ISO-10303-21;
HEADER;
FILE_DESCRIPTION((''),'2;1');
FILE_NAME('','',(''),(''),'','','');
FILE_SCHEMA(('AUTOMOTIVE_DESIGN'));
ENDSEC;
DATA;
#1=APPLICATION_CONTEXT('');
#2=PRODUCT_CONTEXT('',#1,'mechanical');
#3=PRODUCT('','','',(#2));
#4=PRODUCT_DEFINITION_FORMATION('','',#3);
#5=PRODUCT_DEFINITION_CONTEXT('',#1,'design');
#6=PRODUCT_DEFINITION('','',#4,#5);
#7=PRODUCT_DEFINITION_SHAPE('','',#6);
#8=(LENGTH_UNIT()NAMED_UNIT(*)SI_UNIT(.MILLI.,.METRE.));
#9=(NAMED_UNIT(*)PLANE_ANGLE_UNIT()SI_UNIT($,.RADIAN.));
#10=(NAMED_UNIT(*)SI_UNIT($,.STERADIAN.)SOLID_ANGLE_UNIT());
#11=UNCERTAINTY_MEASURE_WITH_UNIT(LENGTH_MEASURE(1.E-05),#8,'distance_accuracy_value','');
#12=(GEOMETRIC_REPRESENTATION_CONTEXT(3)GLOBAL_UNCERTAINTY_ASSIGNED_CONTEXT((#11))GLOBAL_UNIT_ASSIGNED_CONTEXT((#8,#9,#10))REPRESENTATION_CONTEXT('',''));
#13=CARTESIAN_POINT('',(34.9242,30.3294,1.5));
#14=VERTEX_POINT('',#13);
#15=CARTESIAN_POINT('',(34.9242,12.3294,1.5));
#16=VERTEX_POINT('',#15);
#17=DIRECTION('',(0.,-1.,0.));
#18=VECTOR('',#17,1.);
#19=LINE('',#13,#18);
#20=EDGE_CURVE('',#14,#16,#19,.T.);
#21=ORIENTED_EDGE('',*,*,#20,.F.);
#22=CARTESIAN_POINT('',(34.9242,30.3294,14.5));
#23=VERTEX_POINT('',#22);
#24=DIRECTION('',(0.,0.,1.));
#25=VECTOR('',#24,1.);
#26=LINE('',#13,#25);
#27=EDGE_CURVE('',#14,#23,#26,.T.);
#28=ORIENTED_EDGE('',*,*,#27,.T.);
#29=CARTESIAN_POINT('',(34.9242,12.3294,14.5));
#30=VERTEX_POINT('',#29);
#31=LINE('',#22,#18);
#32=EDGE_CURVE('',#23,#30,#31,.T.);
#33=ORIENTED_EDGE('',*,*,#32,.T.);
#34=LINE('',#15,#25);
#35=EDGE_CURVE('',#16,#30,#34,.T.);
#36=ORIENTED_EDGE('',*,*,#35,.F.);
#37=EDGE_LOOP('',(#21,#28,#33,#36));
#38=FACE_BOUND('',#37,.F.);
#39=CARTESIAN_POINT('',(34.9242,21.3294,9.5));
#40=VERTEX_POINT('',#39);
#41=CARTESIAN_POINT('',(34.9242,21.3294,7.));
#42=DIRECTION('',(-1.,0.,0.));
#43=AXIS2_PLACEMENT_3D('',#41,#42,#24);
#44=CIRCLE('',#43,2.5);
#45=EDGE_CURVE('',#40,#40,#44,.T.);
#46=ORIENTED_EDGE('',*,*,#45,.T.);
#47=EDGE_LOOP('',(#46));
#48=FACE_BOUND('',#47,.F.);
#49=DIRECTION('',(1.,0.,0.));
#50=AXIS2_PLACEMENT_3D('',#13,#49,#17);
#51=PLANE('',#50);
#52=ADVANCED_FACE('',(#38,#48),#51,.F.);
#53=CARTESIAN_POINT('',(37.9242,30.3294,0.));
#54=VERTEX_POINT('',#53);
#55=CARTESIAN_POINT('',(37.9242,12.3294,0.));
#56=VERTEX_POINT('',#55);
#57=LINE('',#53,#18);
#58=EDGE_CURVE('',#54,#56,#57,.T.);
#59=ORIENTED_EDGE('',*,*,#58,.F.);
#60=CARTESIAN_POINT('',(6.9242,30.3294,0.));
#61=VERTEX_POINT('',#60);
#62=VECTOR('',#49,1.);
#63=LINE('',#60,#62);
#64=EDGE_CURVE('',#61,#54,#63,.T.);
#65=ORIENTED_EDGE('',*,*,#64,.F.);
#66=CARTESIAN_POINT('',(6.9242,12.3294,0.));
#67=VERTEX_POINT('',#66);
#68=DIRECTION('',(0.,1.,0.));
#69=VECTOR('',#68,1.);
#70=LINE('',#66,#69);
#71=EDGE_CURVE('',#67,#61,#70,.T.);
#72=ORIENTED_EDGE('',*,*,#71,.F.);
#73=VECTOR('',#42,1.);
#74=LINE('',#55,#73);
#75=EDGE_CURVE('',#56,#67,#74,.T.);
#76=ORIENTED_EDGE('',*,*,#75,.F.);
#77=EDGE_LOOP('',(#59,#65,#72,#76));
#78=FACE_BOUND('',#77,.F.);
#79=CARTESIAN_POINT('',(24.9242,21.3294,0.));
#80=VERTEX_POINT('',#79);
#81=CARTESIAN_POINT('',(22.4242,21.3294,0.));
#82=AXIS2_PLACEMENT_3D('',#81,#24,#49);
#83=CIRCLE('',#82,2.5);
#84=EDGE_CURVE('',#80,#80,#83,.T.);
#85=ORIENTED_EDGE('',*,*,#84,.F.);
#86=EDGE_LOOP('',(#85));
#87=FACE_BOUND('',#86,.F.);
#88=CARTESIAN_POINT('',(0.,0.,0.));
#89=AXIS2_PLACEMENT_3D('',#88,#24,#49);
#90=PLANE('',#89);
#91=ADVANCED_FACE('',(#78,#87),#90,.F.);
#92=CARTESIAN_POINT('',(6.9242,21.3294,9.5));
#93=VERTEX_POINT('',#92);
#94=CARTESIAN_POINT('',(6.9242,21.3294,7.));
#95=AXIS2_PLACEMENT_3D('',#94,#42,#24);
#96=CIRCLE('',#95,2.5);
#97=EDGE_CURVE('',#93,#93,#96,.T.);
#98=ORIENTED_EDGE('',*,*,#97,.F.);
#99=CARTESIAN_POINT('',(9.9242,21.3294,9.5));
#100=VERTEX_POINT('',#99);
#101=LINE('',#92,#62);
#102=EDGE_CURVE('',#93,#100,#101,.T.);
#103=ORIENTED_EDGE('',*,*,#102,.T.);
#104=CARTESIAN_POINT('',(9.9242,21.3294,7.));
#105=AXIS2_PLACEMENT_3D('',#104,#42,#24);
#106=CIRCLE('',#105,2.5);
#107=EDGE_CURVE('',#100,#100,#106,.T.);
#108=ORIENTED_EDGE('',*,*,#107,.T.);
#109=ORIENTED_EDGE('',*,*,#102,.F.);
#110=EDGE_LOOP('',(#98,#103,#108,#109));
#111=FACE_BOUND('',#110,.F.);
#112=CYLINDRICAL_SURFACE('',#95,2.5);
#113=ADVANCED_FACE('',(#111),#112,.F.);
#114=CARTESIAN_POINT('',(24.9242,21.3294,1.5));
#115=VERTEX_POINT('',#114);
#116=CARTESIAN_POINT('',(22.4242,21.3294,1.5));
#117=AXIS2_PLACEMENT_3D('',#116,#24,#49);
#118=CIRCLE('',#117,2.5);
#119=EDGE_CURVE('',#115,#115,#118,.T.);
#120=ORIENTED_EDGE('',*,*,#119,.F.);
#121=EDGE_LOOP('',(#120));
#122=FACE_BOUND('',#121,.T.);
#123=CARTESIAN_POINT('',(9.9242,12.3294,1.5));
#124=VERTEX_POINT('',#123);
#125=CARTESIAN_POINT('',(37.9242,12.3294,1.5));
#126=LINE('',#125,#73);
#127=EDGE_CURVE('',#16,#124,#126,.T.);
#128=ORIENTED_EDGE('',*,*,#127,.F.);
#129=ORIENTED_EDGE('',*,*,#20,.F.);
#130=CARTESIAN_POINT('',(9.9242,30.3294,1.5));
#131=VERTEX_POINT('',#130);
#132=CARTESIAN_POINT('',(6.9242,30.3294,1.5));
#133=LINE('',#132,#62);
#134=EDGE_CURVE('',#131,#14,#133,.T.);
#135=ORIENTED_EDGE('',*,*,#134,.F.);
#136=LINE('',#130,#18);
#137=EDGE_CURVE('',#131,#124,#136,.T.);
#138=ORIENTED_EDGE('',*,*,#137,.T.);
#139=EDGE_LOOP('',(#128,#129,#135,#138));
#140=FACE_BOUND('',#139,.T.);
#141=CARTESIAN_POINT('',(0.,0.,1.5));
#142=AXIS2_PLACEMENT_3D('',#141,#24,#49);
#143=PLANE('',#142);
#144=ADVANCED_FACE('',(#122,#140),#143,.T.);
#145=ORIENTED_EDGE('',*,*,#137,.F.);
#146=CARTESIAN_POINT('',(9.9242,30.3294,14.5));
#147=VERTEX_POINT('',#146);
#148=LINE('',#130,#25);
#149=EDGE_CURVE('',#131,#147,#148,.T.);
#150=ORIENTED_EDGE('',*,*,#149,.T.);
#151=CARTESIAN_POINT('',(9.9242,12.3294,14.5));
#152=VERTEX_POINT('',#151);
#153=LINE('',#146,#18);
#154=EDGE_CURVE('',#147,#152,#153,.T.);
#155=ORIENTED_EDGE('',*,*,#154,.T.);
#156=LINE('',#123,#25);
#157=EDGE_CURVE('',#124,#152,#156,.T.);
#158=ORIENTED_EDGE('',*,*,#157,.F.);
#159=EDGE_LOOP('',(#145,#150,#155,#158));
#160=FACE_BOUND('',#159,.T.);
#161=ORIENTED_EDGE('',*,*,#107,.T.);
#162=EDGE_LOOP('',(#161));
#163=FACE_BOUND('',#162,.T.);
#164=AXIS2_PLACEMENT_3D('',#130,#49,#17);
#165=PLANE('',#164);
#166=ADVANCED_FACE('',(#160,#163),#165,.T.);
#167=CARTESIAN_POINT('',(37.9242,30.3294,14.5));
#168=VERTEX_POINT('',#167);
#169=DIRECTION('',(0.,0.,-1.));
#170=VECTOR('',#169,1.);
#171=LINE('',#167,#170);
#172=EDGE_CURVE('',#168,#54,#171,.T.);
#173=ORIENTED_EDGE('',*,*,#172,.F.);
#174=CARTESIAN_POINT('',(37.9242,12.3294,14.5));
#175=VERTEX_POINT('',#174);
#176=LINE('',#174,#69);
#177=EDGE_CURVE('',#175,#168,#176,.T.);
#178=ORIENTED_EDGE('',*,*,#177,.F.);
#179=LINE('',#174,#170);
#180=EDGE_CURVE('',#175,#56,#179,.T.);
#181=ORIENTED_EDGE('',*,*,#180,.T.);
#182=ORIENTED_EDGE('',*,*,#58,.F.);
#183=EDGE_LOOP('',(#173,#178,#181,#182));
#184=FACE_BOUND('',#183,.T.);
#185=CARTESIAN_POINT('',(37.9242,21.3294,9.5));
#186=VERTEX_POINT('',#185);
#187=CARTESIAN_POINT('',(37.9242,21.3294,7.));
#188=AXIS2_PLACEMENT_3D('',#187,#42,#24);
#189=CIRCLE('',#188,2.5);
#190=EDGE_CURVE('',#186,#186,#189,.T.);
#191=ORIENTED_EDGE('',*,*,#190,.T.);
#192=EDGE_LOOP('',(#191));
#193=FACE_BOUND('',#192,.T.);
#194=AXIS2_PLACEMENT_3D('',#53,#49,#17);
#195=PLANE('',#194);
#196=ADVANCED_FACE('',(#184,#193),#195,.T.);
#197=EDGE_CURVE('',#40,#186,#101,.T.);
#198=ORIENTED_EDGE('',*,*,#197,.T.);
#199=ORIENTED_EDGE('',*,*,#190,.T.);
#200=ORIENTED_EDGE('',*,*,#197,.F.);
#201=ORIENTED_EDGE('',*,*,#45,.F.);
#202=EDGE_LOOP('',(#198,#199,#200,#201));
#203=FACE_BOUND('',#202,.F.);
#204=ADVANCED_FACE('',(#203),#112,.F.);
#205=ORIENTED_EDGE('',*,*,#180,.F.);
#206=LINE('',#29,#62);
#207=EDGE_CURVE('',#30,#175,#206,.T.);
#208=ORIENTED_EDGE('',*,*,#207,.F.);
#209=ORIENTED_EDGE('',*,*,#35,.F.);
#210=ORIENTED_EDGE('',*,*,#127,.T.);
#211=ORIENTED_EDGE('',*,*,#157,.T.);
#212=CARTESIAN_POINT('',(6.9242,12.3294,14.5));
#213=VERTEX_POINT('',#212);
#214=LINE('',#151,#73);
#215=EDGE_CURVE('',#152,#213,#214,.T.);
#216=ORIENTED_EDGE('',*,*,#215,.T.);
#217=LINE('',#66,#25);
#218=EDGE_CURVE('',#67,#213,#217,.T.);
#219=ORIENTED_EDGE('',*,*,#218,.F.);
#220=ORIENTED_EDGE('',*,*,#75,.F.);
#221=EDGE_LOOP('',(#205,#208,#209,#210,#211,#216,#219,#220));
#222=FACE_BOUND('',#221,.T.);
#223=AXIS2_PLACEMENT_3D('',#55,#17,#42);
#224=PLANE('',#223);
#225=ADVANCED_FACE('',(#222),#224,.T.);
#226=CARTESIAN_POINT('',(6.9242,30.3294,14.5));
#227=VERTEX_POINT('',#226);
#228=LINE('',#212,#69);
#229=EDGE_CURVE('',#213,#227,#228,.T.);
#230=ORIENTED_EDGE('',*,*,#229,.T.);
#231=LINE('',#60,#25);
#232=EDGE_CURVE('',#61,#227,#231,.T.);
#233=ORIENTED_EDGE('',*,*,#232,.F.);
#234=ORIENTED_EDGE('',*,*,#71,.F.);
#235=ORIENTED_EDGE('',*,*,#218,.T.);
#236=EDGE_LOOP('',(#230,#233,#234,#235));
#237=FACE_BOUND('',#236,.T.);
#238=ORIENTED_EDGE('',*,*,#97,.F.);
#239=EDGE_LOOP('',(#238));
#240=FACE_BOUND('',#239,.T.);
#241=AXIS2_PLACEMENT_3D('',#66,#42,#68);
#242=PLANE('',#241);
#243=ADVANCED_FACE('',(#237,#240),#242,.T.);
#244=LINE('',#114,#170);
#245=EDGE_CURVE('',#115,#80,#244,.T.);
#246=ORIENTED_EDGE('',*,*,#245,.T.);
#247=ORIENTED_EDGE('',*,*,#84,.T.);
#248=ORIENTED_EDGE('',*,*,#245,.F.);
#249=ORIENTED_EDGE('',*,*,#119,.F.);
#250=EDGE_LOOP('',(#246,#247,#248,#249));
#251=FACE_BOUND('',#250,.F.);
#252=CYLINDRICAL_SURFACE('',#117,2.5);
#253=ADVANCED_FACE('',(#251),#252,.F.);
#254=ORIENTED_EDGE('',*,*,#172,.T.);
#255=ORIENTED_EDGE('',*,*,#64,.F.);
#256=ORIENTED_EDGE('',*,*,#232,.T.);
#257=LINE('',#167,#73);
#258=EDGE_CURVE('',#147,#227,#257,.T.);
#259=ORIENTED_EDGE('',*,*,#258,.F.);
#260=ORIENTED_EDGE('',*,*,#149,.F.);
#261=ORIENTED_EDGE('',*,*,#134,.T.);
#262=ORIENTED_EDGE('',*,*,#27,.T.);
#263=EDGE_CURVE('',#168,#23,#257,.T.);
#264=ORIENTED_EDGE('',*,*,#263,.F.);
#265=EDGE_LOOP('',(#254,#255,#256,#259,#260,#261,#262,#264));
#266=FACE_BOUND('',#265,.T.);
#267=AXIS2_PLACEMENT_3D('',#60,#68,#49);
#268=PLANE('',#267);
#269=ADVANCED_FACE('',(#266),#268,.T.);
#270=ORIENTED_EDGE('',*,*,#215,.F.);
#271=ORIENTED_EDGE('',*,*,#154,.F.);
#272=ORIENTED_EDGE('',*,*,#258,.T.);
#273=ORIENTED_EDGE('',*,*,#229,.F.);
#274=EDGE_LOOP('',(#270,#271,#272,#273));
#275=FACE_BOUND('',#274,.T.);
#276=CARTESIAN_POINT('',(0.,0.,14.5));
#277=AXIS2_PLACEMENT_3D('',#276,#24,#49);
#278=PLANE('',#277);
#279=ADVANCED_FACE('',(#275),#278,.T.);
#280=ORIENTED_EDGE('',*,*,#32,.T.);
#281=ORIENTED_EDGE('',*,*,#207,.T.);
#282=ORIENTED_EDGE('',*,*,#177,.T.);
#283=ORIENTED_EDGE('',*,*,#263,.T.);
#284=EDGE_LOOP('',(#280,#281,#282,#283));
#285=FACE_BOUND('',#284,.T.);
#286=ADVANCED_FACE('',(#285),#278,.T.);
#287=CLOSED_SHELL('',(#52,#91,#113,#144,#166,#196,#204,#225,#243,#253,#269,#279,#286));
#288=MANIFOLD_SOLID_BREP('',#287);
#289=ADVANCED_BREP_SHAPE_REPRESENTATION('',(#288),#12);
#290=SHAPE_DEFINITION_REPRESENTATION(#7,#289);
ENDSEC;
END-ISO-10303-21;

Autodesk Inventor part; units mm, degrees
ref_plane "YZ Plane" through (0, 0, 0) normal (1, 0, 0) x (0, 1, 0)
ref_plane "XZ Plane" through (0, 0, 0) normal (0, 1, 0) x (-1, 0, 0)
ref_plane "XY Plane" through (0, 0, 0) normal (0, 0, 1) x (1, 0, 0)
sketch "Sketch1" plane through (0, 0, 0) normal (0, 0, 1) x (1, 0, 0)
  line L0 (6.9242, 30.3294) -> (37.9242, 30.3294)
  line L1 (37.9242, 30.3294) -> (37.9242, 12.3294)
  line L2 (37.9242, 12.3294) -> (6.9242, 12.3294)
  line L3 (6.9242, 12.3294) -> (6.9242, 30.3294)
  point P0 (0, 0)
  dimension "d0" = 31
  dimension "d1" = 18
extrude "Extrusion1" add sketch "Sketch1" along normal blind 1.5
sketch "Sketch2" plane through (0, 0, 1.5) normal (0, 0, 1) x (1, 0, 0)
  line L0 (37.9242, 30.3294) -> (6.9242, 30.3294) projected
  line L1 (6.9242, 30.3294) -> (9.9242, 30.3294)
  line L2 (9.9242, 30.3294) -> (9.9242, 12.3294)
  line L3 (9.9242, 12.3294) -> (6.9242, 12.3294)
  line L4 (6.9242, 12.3294) -> (6.9242, 30.3294)
  line L5 (37.9242, 12.3294) -> (37.9242, 30.3294) projected
  line L6 (37.9242, 30.3294) -> (34.9242, 30.3294)
  line L7 (34.9242, 30.3294) -> (34.9242, 12.3294)
  line L8 (34.9242, 12.3294) -> (37.9242, 12.3294)
  line L9 (37.9242, 12.3294) -> (37.9242, 30.3294)
  point P0 (0, 0)
  dimension "d4" = 3
  dimension "d5" = 18
  dimension "d6" = 3
  dimension "d7" = 18
extrude "Extrusion2" add sketch "Sketch2" along normal blind 13
sketch "Sketch3" plane through (6.9242, 12.3294, 0) normal (-1, 0, 0) x (0, 0, 1)
  line L0 (0, 18) -> (0, 0) projected
  circle A0 centre (7, 9) radius 2.5
  point P0 (0, -12.3294)
extrude "Extrusion3" cut sketch "Sketch3" against normal blind 50
sketch "Sketch4" plane through (0, 0, 1.5) normal (0, 0, 1) x (1, 0, 0)
  line L0 (37.9242, 30.3294) -> (6.9242, 30.3294) projected
  line L1 (6.9242, 12.3294) -> (37.9242, 12.3294) projected
  circle A0 centre (22.4242, 21.3294) radius 2.5
  point P0 (0, 0)
extrude "Extrusion4" cut sketch "Sketch4" against normal blind 50
thread "Thread1" size "M5x0.8" class "6H" standard "ANSI Metric M Profile" length 43.6
thread "Thread2" size "M5x0.8" class "6H" standard "ANSI Metric M Profile" length 43.6
thread "Thread3" size "M5x0.8" class "6H" standard "ANSI Metric M Profile" length 43.6
properties part number "penyangga kamera 1"
